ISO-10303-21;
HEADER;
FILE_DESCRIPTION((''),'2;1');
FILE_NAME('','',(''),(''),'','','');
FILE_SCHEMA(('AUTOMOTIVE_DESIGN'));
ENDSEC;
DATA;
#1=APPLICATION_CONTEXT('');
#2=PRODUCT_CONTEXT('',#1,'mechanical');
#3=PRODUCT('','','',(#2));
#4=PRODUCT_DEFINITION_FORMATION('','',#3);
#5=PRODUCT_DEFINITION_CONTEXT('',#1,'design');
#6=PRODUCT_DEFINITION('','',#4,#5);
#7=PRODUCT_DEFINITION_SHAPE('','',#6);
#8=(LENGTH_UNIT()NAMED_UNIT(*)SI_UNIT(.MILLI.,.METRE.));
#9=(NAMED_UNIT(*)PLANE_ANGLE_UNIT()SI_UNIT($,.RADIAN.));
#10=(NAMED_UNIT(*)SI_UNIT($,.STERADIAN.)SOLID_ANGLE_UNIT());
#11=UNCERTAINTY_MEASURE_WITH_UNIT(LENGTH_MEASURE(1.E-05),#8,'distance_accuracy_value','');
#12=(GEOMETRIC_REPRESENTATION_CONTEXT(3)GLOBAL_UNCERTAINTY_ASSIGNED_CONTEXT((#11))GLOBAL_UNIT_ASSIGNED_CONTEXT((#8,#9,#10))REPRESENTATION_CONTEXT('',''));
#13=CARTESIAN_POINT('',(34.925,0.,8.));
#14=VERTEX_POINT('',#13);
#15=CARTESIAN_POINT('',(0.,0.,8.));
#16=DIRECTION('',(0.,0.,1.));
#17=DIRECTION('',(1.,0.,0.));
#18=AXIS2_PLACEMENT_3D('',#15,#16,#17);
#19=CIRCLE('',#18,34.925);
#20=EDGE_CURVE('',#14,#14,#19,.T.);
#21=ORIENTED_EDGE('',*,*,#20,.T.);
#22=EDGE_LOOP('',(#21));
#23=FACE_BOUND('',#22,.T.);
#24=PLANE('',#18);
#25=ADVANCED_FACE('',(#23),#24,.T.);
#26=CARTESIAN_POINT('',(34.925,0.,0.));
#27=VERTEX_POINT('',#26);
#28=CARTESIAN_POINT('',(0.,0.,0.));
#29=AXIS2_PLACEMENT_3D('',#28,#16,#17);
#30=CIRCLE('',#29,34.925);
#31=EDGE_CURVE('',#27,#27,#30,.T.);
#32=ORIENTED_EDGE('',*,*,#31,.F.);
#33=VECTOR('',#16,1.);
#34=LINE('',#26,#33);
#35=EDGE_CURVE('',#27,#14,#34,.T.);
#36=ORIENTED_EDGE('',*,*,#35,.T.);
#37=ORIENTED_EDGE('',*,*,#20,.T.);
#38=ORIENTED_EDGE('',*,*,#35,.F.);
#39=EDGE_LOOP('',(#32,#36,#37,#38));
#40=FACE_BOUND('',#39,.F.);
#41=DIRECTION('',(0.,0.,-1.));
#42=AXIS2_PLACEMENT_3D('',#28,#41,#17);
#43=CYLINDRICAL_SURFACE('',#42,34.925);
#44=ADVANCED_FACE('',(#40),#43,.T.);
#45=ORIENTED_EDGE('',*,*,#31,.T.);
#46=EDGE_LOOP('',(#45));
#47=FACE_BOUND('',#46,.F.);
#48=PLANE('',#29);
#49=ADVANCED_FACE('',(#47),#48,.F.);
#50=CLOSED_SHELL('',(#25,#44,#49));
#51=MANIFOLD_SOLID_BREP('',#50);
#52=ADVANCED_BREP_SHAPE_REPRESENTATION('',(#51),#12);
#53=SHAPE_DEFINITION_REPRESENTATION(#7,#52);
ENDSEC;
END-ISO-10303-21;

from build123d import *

# Parameters (mm, degrees)
CYLINDER_R     = 34.925
CYLINDER_DEPTH = 8


with BuildPart() as part:
    # Cylinder → Cylinder (new body)
    with BuildSketch(Plane.XY):
        Circle(CYLINDER_R)
    extrude(amount=CYLINDER_DEPTH)


solid = part.part
